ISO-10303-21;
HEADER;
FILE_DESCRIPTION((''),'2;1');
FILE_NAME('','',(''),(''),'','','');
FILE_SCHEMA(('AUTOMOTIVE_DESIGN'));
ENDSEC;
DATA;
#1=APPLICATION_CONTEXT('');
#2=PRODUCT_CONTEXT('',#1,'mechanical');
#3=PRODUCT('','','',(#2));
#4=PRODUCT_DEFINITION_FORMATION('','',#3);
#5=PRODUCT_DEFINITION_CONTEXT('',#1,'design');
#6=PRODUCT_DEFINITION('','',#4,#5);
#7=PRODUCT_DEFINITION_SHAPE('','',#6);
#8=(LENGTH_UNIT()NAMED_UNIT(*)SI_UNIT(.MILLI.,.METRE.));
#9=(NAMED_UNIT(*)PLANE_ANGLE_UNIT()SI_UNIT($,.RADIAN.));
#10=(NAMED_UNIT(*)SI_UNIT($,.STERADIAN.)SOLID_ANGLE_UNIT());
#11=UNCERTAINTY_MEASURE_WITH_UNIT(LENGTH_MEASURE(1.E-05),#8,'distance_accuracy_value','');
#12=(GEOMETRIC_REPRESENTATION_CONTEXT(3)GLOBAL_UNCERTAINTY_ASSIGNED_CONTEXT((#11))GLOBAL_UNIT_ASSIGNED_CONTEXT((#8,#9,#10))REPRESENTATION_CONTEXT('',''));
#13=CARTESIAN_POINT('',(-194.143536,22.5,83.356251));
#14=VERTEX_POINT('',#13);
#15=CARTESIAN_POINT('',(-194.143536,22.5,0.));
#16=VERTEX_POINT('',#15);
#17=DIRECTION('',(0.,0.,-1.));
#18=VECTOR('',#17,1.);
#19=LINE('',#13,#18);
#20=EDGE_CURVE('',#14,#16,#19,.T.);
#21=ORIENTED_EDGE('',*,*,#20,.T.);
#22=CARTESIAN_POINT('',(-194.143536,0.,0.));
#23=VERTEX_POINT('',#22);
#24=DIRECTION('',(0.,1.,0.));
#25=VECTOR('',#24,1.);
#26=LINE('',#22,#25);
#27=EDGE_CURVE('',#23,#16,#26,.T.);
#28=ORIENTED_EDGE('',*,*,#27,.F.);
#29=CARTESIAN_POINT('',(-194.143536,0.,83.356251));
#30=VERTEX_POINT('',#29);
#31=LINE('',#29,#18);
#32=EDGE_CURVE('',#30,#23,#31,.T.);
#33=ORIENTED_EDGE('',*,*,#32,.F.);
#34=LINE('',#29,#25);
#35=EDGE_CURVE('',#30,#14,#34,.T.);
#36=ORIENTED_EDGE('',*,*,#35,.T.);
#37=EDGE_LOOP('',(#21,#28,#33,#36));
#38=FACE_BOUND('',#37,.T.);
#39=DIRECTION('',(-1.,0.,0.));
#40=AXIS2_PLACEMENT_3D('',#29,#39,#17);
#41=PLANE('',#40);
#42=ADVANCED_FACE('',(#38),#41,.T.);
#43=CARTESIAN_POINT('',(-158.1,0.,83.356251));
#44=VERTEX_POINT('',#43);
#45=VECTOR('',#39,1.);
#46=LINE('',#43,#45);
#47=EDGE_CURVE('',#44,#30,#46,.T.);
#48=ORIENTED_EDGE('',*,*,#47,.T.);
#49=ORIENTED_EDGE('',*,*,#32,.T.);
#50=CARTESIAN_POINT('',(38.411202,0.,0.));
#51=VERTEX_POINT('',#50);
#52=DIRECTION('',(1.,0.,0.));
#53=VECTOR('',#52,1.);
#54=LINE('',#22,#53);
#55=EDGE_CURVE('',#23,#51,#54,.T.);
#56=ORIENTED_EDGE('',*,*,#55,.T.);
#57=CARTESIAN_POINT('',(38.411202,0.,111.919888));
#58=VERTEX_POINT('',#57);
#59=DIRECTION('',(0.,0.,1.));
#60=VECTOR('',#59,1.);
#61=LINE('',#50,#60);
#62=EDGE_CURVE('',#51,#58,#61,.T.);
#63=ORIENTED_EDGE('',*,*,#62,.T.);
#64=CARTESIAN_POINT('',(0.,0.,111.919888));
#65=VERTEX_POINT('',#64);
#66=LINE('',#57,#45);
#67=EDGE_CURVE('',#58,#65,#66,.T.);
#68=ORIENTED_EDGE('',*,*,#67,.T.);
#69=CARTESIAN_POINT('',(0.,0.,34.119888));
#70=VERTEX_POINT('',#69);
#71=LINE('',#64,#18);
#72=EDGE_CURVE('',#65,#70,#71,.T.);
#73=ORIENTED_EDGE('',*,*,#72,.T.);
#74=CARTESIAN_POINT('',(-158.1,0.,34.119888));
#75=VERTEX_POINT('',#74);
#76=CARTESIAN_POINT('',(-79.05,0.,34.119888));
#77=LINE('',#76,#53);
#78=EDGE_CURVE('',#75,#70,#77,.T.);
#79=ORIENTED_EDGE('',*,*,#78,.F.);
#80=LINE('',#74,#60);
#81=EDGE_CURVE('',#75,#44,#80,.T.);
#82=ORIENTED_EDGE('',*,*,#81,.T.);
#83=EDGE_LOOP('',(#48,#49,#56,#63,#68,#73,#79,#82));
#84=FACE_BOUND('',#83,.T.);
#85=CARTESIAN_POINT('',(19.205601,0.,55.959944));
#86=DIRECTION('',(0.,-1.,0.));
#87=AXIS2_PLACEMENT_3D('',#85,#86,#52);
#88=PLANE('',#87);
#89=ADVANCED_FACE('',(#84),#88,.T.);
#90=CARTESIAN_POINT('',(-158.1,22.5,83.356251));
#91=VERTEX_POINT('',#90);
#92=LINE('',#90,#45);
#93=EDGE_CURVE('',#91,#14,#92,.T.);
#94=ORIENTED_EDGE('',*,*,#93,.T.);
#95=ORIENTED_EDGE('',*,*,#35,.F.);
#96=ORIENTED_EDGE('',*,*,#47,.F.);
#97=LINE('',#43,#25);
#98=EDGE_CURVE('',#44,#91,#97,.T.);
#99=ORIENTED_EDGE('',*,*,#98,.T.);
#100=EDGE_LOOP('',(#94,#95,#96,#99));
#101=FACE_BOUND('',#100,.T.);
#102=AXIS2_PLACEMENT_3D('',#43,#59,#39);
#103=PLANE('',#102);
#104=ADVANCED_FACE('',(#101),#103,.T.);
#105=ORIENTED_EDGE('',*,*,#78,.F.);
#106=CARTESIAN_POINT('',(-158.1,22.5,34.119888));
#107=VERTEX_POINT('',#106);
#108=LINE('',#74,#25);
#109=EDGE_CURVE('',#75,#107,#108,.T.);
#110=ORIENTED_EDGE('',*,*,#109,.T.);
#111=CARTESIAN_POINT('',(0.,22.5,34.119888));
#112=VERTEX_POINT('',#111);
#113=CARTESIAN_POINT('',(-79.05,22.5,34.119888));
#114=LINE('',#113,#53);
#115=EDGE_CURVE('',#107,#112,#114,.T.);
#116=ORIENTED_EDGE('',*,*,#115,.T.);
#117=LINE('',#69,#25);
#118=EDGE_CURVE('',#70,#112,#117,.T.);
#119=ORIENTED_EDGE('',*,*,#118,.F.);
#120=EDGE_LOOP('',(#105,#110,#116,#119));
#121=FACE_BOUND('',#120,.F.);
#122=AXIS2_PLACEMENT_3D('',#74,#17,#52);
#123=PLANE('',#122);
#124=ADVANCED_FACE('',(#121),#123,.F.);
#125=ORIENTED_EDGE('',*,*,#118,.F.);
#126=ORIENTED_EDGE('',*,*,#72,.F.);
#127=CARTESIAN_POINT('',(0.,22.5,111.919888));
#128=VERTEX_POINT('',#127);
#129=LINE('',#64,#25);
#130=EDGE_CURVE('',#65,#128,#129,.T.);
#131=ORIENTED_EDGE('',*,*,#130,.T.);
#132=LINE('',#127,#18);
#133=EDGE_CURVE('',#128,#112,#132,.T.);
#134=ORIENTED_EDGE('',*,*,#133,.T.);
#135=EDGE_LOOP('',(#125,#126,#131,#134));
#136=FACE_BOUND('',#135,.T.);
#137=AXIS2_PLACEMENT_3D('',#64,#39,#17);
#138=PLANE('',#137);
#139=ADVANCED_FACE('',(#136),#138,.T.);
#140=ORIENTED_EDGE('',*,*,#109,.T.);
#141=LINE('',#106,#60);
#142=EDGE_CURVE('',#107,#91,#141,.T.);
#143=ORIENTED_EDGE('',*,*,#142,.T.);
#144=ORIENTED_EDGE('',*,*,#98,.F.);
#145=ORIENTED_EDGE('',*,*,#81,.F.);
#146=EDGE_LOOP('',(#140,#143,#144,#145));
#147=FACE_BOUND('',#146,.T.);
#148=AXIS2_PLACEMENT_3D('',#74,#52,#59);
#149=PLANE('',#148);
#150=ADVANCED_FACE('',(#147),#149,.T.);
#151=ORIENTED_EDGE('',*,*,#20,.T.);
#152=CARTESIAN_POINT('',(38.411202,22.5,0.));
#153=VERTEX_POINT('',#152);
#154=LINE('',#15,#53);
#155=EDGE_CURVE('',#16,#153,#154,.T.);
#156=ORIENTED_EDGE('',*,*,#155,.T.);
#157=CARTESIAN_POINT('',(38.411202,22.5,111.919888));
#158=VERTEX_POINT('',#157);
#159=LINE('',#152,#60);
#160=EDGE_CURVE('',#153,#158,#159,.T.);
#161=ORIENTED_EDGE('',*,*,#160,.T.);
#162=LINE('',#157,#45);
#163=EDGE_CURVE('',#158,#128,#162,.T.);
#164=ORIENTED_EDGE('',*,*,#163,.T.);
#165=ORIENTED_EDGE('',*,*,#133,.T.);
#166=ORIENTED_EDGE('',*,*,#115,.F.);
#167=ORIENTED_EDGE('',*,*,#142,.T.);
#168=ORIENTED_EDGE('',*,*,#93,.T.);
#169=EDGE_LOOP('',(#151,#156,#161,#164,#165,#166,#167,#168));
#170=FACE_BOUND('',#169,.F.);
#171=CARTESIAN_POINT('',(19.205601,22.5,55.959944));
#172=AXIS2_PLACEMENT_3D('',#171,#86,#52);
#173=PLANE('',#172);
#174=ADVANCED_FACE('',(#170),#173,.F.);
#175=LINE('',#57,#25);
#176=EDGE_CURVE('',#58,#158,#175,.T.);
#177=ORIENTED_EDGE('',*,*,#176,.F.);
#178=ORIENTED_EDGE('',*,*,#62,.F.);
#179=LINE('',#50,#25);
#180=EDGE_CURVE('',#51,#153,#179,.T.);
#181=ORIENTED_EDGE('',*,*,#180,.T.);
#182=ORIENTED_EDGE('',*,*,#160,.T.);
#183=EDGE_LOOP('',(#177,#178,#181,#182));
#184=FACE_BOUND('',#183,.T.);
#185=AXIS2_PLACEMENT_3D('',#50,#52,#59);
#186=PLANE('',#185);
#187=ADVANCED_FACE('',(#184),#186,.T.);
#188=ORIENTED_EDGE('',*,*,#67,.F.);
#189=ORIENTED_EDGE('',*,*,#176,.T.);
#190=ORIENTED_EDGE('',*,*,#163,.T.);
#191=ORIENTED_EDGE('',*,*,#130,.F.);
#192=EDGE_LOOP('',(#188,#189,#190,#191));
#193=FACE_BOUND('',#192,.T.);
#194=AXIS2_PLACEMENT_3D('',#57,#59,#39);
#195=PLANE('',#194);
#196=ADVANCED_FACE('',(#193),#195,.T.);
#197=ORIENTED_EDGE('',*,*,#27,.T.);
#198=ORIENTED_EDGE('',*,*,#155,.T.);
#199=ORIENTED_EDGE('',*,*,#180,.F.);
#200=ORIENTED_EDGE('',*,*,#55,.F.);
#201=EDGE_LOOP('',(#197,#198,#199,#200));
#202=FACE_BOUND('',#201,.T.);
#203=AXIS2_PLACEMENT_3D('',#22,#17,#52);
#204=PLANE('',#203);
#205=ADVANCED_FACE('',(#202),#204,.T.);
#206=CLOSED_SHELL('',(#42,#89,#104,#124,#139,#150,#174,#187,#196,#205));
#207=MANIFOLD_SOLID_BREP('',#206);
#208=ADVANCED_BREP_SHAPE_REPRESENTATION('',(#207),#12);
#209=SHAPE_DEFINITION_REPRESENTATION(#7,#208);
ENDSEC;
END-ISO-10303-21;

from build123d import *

# Parameters (mm, degrees)
F0_W     = 158.1
F0_H     = 34.119888
F1_DEPTH = 22.5


with BuildPart() as f1:
    # F0 (on Front) → F1 (new body)
    with BuildSketch(Plane.XZ):
        Polygon((0, 34.119888), (0, 0), (38.411202, 0), (38.411202, 111.919888), (0, 111.919888), align=None)
        with Locations((-79.05, 17.059944)):
            Rectangle(F0_W, F0_H)
        Polygon((-194.143536, 0), (-158.1, 0), (-158.1, 34.119888), (-158.1, 83.356251), (-194.143536, 83.356251), align=None)
    extrude(amount=-F1_DEPTH)


solid = f1.part
